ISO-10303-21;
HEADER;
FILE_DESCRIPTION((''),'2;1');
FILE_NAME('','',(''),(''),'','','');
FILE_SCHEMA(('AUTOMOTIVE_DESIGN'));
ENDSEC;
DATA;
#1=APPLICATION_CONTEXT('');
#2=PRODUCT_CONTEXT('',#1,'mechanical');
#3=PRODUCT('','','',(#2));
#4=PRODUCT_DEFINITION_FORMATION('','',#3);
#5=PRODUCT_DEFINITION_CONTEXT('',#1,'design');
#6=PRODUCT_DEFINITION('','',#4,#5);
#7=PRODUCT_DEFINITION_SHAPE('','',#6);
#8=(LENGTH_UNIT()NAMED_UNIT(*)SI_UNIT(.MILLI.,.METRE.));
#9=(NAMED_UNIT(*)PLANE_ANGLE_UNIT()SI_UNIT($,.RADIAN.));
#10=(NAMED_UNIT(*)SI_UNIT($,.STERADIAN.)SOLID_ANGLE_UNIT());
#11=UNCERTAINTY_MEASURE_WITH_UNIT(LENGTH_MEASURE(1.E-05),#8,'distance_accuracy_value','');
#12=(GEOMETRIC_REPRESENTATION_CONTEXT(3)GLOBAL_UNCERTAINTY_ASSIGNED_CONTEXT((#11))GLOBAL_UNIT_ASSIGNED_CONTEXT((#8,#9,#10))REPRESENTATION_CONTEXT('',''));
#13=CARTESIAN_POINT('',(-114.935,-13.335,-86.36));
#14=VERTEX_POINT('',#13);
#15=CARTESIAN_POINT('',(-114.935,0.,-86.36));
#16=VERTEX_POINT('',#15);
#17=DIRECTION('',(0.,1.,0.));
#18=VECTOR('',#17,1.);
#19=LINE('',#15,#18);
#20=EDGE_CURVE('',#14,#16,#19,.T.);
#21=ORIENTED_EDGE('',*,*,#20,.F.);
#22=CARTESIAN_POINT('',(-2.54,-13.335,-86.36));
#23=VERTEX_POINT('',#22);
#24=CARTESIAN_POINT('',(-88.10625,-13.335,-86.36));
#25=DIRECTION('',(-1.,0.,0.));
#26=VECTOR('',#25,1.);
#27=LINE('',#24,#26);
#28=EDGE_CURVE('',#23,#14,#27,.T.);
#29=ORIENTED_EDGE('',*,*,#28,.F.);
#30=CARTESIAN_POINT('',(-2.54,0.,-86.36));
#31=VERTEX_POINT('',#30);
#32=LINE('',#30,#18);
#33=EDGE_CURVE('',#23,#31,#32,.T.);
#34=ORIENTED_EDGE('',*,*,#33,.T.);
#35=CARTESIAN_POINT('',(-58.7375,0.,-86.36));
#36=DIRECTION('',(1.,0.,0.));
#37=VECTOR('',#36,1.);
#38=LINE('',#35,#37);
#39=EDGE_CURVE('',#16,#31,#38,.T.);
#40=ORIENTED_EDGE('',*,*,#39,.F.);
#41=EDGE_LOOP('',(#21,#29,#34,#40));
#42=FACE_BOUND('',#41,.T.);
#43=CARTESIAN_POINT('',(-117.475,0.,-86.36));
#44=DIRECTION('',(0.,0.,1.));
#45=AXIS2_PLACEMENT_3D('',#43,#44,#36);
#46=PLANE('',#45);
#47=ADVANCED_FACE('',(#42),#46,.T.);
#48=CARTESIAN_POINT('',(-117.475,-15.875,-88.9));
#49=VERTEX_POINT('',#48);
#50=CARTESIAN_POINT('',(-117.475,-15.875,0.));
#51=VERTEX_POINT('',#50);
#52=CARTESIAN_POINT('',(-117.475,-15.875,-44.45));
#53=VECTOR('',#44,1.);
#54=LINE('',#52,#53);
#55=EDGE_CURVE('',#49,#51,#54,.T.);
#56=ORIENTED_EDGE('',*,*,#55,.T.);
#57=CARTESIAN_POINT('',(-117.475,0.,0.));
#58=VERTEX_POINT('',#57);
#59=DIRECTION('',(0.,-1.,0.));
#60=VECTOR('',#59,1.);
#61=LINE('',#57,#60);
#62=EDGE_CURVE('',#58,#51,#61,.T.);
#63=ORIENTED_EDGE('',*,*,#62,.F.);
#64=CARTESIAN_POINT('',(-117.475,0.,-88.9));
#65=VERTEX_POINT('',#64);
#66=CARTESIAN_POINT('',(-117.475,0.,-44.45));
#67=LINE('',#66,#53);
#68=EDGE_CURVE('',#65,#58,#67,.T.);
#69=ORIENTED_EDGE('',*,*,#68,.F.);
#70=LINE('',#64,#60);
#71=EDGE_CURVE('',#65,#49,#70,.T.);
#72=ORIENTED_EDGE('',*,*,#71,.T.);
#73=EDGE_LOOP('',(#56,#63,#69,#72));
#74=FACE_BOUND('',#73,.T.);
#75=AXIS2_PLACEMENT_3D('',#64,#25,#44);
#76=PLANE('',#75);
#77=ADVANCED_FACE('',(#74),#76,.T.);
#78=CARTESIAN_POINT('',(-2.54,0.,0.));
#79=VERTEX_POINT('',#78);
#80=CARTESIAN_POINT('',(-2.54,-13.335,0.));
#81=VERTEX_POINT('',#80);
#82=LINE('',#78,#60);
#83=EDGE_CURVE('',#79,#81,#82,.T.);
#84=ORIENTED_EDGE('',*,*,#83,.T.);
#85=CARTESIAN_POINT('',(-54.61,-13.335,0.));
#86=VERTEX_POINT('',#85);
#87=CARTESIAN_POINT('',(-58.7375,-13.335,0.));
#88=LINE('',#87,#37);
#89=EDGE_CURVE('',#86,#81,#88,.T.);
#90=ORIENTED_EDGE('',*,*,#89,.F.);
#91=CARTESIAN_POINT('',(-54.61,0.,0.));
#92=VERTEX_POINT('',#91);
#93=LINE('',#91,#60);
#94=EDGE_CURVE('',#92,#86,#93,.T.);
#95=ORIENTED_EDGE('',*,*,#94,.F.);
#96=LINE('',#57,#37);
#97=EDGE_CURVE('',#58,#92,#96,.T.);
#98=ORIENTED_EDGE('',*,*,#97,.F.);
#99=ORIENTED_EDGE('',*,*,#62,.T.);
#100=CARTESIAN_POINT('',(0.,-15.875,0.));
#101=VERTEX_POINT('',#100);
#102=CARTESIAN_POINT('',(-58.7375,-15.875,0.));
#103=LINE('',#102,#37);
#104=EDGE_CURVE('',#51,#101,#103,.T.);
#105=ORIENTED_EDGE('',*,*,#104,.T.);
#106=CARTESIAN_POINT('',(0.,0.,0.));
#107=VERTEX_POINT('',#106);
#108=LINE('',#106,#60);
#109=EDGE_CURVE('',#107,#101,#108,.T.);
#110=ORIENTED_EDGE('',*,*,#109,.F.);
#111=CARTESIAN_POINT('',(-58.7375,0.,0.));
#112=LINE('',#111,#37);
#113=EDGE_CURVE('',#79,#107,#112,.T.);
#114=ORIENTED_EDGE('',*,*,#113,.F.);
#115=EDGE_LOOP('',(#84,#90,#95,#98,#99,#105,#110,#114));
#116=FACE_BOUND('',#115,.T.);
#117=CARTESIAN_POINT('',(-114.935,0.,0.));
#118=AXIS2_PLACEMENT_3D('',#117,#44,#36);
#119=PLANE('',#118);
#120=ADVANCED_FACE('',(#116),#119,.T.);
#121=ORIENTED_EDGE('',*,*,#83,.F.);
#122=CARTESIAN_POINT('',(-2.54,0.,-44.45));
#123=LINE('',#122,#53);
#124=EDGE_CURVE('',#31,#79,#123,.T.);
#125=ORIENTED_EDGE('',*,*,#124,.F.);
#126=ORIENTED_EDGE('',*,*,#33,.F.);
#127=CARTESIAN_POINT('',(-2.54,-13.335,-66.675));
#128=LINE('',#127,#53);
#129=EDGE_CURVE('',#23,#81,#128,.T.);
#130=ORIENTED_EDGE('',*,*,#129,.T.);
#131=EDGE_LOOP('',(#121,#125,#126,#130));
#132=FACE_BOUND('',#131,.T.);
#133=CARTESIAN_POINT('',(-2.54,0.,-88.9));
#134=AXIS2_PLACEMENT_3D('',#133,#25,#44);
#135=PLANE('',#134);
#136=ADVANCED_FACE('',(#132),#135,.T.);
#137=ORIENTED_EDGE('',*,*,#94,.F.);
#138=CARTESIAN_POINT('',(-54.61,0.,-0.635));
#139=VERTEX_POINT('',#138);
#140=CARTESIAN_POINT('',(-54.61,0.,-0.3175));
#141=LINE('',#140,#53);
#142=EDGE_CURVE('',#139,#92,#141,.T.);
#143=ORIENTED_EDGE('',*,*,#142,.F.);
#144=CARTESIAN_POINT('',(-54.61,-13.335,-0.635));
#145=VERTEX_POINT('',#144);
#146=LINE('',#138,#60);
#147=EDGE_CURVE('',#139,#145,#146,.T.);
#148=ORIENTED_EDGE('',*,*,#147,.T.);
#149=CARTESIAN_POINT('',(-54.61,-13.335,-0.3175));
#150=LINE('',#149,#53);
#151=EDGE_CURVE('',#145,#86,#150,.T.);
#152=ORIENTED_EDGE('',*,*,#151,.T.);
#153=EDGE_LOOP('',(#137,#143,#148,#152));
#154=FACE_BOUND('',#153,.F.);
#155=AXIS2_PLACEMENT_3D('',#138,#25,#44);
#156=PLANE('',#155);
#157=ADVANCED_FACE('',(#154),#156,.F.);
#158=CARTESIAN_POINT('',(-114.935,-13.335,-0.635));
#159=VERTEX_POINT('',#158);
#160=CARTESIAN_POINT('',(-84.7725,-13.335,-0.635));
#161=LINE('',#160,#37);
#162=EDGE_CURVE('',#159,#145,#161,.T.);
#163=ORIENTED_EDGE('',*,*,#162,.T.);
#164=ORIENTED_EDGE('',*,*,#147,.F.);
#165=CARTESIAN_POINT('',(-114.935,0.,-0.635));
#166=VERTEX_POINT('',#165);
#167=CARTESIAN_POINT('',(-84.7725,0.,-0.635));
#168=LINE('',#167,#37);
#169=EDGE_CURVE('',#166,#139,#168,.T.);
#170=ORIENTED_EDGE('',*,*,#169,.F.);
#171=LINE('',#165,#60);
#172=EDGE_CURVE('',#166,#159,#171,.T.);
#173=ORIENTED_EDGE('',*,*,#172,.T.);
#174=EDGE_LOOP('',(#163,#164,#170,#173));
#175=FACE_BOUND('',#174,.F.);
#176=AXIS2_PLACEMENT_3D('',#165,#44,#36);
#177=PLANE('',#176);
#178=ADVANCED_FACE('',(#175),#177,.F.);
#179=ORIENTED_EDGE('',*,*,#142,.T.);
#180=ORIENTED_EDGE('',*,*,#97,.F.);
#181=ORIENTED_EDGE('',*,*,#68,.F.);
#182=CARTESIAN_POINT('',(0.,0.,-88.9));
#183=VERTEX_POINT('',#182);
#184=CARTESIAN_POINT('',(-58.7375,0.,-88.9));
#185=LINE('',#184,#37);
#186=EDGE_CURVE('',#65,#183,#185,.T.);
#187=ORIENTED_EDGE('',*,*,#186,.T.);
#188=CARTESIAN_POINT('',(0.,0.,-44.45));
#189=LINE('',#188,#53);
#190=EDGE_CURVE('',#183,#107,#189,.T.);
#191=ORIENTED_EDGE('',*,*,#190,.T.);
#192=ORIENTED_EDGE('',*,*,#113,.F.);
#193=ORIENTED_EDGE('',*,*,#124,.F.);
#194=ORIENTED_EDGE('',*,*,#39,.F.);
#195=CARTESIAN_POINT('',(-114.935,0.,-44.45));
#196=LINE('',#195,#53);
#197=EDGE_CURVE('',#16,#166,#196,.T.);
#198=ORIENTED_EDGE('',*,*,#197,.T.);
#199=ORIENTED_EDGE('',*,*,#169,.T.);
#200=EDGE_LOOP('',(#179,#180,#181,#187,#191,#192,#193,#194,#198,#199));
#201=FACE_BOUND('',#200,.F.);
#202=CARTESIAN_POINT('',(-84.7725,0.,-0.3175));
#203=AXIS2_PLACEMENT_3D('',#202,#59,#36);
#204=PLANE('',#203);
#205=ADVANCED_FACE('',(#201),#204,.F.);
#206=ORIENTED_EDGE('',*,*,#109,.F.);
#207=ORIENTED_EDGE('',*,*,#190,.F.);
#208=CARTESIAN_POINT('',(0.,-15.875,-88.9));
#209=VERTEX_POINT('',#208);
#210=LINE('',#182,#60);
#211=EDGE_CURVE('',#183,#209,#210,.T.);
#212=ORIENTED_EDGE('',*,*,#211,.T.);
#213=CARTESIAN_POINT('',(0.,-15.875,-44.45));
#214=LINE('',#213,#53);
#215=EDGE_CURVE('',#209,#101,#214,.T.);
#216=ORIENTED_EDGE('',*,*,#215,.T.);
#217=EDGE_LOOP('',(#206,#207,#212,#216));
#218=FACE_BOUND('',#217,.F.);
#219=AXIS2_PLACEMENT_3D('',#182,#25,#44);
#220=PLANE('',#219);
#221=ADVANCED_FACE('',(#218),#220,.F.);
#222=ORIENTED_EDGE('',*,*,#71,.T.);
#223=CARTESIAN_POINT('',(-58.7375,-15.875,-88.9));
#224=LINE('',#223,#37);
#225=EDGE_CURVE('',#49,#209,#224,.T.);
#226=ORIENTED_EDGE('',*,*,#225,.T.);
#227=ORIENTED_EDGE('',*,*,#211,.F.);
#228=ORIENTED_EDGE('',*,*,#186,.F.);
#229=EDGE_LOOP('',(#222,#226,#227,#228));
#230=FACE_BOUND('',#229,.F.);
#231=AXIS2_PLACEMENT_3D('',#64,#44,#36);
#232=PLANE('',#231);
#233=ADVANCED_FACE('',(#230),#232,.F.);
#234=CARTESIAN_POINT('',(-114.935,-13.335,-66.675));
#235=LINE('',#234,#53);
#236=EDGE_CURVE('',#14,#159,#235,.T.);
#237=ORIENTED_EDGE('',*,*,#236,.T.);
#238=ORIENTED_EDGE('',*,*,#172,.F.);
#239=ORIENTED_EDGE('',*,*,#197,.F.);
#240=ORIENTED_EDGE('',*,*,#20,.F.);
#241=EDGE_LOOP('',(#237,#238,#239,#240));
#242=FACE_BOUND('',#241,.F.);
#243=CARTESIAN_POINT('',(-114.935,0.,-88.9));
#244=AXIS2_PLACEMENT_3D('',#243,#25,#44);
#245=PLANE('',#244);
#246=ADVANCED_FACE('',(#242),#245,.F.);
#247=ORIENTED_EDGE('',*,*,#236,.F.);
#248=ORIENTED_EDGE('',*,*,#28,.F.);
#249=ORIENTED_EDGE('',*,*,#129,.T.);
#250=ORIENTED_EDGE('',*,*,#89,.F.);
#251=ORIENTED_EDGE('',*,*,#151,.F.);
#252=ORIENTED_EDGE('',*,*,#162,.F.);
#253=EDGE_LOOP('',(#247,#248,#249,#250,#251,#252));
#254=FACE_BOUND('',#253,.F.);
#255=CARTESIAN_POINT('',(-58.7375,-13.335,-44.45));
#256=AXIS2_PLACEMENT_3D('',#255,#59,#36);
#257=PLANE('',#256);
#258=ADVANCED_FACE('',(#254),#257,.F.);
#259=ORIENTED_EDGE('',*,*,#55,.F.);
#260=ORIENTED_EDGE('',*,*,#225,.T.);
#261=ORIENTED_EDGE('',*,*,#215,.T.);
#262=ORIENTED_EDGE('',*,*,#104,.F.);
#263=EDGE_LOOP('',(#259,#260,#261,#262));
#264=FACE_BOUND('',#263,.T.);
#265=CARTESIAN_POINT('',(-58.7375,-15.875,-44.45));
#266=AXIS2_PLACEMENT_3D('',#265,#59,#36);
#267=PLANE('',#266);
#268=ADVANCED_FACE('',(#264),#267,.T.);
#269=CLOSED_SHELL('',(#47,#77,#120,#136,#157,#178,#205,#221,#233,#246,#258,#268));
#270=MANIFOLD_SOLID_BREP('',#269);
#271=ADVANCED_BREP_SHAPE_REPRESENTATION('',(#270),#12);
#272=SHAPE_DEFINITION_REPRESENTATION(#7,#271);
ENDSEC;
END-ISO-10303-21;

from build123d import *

# Parameters (mm, degrees)
F0_W     = 117.475
F0_H     = 88.9
F1_DEPTH = 15.875
F2_T     = -2.54
F3_W     = 60.325
F3_H     = 0.635
F4_DEPTH = 13.335


with BuildPart() as f1:
    # F0 (on Front) → F1 (new body)
    with BuildSketch(Plane.XZ):
        with Locations((-58.7375, -44.45)):
            Rectangle(F0_W, F0_H)
    extrude(amount=F1_DEPTH)

    # F2
    f2_openings = [f1.faces().sort_by_distance(p)[0] for p in [
        (-58.7375, 0, -44.45),
        (-58.7375, -7.9375, 0),
    ]]
    offset(amount=F2_T, openings=f2_openings)

    # F3 (on Front) → F4 (join, through all)
    with BuildSketch(Plane.XZ):
        with Locations((-84.7725, -0.3175)):
            Rectangle(F3_W, F3_H)
    extrude(amount=F4_DEPTH)


solid = f1.part
